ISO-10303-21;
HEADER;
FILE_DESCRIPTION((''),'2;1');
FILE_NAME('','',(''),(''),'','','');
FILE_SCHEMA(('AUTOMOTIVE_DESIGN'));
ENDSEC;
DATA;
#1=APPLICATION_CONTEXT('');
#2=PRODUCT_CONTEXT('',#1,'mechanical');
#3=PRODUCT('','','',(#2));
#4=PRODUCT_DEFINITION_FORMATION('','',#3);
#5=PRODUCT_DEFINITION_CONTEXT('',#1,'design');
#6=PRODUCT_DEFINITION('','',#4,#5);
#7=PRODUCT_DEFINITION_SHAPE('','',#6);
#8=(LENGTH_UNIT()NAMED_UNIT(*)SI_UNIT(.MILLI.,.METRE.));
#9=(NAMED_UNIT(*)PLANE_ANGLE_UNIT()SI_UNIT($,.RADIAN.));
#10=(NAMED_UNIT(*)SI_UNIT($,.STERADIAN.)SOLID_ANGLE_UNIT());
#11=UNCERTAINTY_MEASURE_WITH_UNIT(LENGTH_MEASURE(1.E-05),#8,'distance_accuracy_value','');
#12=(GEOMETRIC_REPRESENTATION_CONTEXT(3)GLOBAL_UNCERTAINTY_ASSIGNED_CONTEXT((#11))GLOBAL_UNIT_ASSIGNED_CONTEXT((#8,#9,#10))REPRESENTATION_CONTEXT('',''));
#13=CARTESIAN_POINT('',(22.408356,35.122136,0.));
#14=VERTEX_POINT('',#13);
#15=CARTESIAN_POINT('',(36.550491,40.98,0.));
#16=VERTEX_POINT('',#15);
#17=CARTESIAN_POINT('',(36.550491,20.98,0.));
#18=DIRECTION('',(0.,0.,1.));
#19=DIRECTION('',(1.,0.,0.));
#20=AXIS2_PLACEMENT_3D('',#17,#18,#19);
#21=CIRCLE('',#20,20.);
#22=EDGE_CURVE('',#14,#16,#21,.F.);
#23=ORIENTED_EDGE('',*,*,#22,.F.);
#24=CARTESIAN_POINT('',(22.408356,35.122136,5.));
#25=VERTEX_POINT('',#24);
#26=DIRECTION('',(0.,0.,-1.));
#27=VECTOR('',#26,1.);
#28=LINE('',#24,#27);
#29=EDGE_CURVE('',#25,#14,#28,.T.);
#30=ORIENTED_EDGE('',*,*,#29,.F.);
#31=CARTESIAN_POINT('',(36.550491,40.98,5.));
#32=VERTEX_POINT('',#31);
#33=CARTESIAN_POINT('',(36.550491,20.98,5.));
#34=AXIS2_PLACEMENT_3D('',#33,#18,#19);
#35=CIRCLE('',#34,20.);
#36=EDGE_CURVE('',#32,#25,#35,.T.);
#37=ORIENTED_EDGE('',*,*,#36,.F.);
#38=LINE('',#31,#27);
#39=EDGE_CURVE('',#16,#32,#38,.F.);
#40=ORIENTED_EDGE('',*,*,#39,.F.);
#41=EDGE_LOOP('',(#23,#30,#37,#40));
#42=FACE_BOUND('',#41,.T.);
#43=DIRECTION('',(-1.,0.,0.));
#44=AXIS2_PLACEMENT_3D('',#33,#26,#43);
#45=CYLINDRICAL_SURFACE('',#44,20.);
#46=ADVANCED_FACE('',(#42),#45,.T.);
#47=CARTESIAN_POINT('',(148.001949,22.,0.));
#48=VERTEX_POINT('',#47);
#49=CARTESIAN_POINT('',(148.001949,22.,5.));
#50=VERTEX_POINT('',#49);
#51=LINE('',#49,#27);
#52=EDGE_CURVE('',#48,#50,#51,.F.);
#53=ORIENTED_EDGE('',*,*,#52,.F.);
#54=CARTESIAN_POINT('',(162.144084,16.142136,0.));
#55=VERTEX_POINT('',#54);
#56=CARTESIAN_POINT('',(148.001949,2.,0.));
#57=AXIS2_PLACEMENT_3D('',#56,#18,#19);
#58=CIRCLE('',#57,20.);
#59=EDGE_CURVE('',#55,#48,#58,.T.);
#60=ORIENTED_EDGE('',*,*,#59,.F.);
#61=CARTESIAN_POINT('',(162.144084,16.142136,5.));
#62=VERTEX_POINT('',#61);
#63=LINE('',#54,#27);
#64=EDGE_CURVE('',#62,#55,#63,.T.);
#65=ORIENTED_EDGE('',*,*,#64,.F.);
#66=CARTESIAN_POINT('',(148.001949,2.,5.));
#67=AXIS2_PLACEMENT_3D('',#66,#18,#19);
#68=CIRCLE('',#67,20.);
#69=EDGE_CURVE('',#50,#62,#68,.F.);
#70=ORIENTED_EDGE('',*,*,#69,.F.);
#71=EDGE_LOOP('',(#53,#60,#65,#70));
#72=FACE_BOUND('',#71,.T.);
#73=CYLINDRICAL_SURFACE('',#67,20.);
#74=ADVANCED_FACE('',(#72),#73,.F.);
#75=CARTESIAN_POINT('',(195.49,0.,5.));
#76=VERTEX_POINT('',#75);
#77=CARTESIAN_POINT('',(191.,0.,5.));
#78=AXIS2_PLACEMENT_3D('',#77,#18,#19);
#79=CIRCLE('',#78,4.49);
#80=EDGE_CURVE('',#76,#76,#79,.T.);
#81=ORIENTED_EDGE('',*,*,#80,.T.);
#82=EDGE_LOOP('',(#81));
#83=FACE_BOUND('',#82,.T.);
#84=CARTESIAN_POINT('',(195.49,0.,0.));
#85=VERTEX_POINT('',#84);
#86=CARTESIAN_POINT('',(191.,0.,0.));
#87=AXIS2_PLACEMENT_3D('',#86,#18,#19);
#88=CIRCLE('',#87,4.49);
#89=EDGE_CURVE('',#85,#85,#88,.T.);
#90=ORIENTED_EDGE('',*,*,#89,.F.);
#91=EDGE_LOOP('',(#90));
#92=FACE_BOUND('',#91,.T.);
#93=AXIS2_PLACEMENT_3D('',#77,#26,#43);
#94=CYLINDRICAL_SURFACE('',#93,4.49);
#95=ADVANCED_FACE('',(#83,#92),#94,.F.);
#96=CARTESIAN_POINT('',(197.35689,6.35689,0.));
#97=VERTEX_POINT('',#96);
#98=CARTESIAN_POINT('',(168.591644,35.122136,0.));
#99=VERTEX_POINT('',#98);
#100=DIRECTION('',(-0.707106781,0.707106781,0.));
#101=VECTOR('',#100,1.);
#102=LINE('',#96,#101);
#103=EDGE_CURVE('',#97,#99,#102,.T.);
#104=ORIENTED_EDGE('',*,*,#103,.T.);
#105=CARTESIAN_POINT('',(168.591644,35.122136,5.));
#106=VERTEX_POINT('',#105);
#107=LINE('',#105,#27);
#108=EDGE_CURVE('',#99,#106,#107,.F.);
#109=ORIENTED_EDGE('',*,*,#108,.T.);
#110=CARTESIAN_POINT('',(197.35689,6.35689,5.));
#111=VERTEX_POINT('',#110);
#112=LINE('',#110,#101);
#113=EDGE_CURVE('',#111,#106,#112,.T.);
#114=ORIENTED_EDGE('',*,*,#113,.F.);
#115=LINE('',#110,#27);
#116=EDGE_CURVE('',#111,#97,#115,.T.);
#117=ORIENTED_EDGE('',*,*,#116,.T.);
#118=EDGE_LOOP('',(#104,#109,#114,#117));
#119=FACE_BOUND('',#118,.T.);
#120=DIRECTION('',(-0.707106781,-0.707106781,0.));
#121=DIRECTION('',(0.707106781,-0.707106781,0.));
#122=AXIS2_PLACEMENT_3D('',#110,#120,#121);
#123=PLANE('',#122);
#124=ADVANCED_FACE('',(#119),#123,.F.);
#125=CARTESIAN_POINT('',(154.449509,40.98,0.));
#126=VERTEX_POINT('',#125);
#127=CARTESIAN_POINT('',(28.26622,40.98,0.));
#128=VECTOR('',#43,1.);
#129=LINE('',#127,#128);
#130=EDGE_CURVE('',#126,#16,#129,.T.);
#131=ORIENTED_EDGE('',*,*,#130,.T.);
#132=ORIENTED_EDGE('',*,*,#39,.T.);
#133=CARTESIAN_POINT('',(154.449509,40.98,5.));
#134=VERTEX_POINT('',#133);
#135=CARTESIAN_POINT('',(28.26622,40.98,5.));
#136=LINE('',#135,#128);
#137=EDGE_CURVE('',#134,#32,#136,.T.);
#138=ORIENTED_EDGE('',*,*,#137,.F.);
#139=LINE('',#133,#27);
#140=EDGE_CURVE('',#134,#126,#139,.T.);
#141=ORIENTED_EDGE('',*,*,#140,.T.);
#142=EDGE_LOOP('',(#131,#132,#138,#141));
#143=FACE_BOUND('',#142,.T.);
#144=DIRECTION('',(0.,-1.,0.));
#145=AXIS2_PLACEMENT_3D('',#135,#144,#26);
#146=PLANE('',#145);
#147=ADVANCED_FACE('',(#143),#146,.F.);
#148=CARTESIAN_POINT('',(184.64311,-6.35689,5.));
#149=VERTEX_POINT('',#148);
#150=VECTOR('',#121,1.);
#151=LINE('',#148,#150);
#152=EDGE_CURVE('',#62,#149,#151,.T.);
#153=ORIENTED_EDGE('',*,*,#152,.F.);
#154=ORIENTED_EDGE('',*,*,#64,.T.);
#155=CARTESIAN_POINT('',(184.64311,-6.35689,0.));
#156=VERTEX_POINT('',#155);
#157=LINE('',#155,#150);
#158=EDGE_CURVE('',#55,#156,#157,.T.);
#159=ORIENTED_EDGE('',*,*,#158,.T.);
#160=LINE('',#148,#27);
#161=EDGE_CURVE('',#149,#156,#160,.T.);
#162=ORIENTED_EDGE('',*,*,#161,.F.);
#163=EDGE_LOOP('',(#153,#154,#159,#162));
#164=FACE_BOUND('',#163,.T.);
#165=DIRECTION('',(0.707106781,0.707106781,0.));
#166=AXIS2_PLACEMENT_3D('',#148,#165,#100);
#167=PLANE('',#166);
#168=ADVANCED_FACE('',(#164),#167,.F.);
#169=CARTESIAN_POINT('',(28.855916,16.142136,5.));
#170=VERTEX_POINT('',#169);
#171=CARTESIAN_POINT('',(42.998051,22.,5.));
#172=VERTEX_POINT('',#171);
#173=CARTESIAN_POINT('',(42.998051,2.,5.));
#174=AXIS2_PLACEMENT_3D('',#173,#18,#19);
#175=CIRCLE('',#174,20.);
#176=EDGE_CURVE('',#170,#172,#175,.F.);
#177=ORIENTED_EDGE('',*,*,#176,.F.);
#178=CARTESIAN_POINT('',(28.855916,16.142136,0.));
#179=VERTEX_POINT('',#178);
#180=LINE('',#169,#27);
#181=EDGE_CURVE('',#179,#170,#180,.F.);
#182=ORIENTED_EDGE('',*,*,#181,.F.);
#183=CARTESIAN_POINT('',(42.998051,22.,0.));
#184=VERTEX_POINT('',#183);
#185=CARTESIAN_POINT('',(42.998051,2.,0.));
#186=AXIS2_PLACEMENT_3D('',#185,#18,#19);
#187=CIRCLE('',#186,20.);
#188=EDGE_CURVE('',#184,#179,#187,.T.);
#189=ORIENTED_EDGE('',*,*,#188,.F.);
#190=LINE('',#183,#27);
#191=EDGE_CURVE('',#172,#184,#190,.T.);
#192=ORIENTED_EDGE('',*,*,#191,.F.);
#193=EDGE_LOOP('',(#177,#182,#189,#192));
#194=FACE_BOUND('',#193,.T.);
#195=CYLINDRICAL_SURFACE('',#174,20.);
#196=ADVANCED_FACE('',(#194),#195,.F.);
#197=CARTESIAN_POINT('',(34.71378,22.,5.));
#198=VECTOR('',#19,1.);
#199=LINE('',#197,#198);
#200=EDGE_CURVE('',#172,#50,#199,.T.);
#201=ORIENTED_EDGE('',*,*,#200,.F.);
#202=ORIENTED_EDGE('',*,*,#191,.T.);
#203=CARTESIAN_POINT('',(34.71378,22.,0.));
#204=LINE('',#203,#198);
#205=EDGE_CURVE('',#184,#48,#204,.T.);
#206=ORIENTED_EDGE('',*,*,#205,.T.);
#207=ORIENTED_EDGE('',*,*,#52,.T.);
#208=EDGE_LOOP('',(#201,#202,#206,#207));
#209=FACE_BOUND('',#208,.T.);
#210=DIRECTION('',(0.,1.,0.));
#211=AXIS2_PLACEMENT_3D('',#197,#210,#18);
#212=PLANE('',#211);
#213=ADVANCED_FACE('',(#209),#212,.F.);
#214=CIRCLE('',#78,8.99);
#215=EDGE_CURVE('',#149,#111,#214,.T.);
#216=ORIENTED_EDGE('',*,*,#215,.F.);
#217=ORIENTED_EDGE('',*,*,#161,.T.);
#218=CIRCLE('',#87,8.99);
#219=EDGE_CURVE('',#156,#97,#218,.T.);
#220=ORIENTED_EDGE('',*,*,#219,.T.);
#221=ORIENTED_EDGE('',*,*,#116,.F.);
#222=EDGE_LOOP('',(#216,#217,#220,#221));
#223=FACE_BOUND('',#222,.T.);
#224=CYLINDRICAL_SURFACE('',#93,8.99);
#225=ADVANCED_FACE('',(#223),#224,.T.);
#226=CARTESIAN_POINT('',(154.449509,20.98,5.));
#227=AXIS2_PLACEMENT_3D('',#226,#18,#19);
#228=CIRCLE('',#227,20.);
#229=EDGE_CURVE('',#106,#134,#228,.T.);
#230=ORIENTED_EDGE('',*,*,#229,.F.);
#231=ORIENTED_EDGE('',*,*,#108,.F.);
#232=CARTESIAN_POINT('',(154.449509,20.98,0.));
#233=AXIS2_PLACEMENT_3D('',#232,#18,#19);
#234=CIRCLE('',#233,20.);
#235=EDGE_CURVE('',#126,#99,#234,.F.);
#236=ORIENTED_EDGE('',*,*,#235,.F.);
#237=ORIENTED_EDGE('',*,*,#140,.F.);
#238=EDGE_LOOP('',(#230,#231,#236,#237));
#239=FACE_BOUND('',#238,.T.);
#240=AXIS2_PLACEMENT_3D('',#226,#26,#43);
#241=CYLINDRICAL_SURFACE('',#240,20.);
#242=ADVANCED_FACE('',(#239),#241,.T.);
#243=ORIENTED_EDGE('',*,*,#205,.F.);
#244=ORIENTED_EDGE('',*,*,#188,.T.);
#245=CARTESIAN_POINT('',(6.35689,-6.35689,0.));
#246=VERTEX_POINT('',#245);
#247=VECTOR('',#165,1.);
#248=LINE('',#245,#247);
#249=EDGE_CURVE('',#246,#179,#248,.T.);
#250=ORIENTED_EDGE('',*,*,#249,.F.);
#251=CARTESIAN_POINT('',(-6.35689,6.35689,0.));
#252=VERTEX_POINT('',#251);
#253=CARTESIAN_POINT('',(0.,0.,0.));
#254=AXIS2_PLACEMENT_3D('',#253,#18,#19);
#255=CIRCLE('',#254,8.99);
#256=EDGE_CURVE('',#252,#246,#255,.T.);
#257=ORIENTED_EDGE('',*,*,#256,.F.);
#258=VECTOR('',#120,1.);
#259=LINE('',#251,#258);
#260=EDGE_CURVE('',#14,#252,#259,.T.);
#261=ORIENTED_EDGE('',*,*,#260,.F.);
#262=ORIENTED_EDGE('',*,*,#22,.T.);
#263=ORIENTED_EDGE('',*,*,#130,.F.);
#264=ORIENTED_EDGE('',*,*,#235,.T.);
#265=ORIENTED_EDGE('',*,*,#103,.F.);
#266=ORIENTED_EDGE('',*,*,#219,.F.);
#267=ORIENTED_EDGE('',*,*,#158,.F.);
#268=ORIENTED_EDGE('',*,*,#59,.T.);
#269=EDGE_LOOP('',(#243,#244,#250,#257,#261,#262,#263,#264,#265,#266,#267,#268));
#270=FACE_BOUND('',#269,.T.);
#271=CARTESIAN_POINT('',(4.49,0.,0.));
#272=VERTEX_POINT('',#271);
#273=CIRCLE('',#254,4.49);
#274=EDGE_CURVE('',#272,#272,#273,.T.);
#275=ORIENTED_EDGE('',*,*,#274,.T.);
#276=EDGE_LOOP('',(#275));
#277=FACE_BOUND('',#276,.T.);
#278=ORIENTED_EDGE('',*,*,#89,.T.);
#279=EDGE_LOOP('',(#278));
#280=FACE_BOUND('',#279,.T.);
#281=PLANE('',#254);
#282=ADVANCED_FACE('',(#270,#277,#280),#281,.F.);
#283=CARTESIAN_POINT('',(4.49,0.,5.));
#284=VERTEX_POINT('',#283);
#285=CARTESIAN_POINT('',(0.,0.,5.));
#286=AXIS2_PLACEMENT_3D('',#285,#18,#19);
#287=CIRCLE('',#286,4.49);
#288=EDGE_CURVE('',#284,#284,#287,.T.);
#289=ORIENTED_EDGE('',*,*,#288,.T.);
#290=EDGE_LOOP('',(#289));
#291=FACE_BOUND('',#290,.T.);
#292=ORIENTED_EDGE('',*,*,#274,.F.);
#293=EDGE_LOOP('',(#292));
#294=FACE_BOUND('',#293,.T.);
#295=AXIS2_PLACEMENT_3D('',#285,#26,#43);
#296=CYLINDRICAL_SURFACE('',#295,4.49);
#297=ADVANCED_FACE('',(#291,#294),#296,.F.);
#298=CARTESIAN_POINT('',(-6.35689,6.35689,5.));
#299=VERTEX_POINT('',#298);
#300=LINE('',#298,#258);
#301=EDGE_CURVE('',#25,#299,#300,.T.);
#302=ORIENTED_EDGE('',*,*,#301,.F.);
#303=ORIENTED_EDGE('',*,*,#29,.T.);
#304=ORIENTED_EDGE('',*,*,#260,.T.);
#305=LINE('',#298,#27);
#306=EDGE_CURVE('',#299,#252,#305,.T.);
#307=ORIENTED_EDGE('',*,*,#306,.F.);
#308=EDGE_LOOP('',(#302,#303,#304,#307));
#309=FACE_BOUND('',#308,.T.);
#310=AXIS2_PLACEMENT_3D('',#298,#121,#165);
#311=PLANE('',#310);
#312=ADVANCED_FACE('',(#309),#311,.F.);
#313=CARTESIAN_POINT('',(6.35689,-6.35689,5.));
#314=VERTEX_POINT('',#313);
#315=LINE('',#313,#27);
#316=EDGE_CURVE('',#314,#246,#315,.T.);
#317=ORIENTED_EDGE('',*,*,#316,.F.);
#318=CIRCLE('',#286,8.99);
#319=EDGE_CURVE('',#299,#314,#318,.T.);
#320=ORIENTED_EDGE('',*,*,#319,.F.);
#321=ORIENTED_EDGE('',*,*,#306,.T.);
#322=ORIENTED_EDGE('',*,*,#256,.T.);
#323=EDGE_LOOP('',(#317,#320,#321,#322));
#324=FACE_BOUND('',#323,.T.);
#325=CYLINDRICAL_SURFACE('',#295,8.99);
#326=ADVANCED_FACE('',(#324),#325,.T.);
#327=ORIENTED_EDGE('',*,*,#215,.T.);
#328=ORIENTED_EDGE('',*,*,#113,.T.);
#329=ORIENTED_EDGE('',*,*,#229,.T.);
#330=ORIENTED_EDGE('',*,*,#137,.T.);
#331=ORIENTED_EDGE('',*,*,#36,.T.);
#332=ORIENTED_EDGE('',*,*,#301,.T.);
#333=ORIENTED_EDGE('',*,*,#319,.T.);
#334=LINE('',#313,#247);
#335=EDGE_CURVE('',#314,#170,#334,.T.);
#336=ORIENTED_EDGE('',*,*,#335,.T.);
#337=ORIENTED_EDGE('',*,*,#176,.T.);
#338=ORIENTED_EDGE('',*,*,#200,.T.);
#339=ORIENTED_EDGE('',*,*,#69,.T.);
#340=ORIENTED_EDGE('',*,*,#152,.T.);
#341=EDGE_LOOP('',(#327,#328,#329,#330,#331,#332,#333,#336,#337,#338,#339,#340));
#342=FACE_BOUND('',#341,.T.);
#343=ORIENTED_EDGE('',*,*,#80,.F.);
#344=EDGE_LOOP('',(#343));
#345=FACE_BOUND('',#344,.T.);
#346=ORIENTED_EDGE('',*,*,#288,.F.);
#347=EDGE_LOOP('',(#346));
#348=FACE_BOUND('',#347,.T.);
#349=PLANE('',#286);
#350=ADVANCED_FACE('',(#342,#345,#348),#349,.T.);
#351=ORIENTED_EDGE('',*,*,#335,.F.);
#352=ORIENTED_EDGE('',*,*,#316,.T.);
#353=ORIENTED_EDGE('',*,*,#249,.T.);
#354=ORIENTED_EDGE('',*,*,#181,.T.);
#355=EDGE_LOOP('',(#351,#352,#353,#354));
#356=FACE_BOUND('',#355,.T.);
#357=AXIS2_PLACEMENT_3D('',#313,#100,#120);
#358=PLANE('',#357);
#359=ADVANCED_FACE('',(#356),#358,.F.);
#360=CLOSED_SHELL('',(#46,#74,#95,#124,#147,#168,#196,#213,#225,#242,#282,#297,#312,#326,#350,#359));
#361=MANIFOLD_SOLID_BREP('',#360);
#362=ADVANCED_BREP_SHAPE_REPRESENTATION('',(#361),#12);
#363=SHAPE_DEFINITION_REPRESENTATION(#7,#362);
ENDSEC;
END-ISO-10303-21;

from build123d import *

# Parameters (mm, degrees)
SKETCH1_R           = 4.49
BOSS_EXTRUDE1_DEPTH = 5
FILLET1_R           = 20
FILLET2_R           = 20
FILLET3_R           = 20
FILLET4_R           = 20


with BuildPart() as part:
    # Sketch1 → Boss-Extrude1 (new body)
    with BuildSketch(Plane.XY):
        with BuildLine():
            Line((-6.356889963, 6.356889963), (28.266220074, 40.98))
            Line((28.266220074, 40.98), (162.733779926, 40.98))
            Line((162.733779926, 40.98), (197.356889963, 6.356889963))
            ThreePointArc((197.356889963, 6.356889963), (197.356889963, -6.356889963), (184.643110037, -6.356889963))
            Line((184.643110037, -6.356889963), (156.286220074, 22))
            Line((156.286220074, 22), (34.713779926, 22))
            Line((34.713779926, 22), (6.356889963, -6.356889963))
            ThreePointArc((6.356889963, -6.356889963), (-6.356889963, -6.356889963), (-6.356889963, 6.356889963))
        make_face()
        Circle(SKETCH1_R, mode=Mode.SUBTRACT)
        with Locations((191, 0)):
            Circle(SKETCH1_R, mode=Mode.SUBTRACT)
    extrude(amount=BOSS_EXTRUDE1_DEPTH)

    # Fillet1
    fillet1_edges = [part.edges().sort_by_distance(p)[0] for p in [
        (28.266220074, 40.98, 2.5),
    ]]
    fillet(fillet1_edges, radius=FILLET1_R)

    # Fillet2
    fillet2_edges = [part.edges().sort_by_distance(p)[0] for p in [
        (34.713779926, 22, 2.5),
    ]]
    fillet(fillet2_edges, radius=FILLET2_R)

    # Fillet3
    fillet3_edges = [part.edges().sort_by_distance(p)[0] for p in [
        (162.733779926, 40.98, 2.5),
    ]]
    fillet(fillet3_edges, radius=FILLET3_R)

    # Fillet4
    fillet4_edges = [part.edges().sort_by_distance(p)[0] for p in [
        (156.286220074, 22, 2.5),
    ]]
    fillet(fillet4_edges, radius=FILLET4_R)


solid = part.part
